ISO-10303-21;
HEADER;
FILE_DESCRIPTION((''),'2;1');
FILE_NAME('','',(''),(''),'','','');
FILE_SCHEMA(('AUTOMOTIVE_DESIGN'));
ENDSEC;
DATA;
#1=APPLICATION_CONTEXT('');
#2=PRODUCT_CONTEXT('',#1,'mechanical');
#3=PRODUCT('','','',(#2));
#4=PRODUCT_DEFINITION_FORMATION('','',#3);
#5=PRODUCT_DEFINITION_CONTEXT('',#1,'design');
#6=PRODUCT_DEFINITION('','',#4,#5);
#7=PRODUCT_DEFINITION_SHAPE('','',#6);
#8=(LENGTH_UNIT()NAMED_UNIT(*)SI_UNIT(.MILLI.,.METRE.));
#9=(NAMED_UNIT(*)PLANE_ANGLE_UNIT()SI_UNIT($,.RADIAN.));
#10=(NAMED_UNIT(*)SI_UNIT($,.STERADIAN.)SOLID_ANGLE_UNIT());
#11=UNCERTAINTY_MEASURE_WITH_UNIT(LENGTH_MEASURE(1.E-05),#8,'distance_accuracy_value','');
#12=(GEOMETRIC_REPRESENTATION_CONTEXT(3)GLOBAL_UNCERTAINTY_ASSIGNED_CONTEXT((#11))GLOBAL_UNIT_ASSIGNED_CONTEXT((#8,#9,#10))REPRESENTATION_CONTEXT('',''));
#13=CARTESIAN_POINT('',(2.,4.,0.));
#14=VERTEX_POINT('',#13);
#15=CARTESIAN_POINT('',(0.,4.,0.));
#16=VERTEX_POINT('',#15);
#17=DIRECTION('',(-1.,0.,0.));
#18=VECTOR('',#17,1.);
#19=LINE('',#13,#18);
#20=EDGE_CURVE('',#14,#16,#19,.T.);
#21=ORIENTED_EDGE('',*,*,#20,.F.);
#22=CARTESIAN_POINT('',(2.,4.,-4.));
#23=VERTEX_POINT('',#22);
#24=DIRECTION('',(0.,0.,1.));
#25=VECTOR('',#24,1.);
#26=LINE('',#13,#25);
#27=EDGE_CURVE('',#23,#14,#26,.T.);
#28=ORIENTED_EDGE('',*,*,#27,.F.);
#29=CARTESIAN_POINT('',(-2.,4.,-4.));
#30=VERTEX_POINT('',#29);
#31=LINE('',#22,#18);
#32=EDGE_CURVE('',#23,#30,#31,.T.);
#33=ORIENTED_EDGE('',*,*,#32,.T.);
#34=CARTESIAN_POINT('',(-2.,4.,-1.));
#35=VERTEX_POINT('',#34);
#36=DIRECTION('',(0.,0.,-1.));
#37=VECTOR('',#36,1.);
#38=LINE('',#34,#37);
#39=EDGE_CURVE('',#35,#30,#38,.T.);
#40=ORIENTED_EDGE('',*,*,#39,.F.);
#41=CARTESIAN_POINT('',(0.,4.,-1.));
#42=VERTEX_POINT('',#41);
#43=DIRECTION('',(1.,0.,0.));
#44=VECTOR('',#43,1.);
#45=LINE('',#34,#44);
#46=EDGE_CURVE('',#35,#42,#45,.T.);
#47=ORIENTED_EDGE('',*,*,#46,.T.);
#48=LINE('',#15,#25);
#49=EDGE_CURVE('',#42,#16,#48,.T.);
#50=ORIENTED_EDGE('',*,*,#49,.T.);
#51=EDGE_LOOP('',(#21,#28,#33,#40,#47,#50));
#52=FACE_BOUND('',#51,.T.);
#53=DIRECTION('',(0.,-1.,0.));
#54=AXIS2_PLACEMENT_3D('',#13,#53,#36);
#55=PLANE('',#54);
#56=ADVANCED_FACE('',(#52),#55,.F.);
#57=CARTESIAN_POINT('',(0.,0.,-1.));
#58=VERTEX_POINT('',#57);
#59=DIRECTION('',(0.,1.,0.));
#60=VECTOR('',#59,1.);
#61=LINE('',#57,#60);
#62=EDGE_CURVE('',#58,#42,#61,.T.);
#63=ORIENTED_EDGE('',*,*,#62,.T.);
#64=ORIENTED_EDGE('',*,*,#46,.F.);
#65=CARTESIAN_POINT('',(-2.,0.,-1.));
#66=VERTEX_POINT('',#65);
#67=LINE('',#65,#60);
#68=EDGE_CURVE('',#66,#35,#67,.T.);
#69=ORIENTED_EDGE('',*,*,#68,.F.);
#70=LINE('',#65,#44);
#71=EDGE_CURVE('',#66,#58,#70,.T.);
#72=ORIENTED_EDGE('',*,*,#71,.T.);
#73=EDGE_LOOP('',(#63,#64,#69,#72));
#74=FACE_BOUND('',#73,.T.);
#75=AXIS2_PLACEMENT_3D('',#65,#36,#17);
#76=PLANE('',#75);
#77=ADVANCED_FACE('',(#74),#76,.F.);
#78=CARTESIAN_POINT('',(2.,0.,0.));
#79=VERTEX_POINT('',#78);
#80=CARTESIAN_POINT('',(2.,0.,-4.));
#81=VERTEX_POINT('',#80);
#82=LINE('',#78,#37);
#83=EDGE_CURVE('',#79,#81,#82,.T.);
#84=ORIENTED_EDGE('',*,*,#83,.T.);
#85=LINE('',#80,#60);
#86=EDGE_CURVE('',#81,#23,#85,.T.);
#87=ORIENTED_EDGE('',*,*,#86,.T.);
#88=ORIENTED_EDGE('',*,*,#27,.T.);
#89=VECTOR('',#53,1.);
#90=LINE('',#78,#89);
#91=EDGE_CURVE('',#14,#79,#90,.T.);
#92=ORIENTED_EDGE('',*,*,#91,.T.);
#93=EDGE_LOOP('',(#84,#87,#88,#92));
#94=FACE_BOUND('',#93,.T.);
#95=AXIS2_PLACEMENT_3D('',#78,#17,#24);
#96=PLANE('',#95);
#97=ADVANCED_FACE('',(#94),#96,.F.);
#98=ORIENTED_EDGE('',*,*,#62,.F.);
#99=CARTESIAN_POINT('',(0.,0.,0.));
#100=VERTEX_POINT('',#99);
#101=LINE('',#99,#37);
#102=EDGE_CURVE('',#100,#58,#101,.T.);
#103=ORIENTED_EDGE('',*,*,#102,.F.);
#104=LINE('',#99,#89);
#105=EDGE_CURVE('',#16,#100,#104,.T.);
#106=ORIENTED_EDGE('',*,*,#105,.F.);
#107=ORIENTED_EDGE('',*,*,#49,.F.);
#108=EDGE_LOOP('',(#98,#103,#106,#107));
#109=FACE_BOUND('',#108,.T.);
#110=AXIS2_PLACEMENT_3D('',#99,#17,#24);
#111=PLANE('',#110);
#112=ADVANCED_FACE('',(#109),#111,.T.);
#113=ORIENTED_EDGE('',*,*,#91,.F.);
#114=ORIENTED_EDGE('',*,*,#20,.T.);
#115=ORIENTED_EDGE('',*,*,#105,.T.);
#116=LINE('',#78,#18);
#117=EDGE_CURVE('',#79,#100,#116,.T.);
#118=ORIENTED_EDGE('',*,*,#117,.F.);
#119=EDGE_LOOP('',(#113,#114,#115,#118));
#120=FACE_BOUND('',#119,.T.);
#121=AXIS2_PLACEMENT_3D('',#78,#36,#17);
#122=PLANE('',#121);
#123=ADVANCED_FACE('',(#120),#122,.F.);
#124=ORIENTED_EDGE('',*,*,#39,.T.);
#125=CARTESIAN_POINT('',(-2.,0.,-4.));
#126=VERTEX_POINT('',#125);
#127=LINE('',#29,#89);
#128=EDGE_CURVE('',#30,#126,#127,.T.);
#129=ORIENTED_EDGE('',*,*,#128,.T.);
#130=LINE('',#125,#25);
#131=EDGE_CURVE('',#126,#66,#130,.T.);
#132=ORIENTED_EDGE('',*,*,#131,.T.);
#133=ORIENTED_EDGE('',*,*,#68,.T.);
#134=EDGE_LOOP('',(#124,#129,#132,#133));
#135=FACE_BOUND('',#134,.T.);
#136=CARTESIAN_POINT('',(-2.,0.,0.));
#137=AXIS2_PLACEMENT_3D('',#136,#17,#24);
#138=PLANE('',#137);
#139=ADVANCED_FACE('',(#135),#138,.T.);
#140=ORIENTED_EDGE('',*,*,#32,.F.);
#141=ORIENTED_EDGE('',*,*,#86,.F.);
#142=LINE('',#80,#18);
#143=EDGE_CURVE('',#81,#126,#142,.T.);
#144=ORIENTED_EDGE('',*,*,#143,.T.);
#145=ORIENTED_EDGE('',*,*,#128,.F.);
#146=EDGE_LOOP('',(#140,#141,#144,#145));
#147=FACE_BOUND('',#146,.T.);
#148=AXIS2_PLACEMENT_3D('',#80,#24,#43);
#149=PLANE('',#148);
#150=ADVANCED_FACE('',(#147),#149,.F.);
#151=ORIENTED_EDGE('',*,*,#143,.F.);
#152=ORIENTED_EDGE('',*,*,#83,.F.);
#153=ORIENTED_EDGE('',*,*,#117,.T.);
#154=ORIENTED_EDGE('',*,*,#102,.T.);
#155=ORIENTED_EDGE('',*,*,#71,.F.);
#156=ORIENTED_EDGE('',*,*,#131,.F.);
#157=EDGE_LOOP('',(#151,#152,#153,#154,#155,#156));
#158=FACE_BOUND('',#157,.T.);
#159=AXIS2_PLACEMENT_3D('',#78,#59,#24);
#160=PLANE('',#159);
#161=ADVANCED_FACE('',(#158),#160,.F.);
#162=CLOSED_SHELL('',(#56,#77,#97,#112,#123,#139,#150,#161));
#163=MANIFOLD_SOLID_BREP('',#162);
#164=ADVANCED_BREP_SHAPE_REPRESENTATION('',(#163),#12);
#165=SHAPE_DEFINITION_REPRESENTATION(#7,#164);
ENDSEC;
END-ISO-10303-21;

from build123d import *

# Parameters (mm, degrees)
SKETCH1_W           = 4
SKETCH1_H           = 4
BOSS_EXTRUDE1_DEPTH = 2
SKETCH2_W           = 3
SKETCH2_H           = 4
BOSS_EXTRUDE2_DEPTH = 2


with BuildPart() as part:
    # Sketch1 → Boss-Extrude1 (new body)
    with BuildSketch(Plane(origin=(0, 0, 0), x_dir=(0, 0, -1), z_dir=(1, 0, 0))):
        with Locations((2, 2)):
            Rectangle(SKETCH1_W, SKETCH1_H)
    extrude(amount=BOSS_EXTRUDE1_DEPTH)

    # Sketch2 → Boss-Extrude2 (add)
    with BuildSketch(Plane.ZY):
        with Locations((-2.5, 2)):
            Rectangle(SKETCH2_W, SKETCH2_H)
    extrude(amount=BOSS_EXTRUDE2_DEPTH)


solid = part.part
